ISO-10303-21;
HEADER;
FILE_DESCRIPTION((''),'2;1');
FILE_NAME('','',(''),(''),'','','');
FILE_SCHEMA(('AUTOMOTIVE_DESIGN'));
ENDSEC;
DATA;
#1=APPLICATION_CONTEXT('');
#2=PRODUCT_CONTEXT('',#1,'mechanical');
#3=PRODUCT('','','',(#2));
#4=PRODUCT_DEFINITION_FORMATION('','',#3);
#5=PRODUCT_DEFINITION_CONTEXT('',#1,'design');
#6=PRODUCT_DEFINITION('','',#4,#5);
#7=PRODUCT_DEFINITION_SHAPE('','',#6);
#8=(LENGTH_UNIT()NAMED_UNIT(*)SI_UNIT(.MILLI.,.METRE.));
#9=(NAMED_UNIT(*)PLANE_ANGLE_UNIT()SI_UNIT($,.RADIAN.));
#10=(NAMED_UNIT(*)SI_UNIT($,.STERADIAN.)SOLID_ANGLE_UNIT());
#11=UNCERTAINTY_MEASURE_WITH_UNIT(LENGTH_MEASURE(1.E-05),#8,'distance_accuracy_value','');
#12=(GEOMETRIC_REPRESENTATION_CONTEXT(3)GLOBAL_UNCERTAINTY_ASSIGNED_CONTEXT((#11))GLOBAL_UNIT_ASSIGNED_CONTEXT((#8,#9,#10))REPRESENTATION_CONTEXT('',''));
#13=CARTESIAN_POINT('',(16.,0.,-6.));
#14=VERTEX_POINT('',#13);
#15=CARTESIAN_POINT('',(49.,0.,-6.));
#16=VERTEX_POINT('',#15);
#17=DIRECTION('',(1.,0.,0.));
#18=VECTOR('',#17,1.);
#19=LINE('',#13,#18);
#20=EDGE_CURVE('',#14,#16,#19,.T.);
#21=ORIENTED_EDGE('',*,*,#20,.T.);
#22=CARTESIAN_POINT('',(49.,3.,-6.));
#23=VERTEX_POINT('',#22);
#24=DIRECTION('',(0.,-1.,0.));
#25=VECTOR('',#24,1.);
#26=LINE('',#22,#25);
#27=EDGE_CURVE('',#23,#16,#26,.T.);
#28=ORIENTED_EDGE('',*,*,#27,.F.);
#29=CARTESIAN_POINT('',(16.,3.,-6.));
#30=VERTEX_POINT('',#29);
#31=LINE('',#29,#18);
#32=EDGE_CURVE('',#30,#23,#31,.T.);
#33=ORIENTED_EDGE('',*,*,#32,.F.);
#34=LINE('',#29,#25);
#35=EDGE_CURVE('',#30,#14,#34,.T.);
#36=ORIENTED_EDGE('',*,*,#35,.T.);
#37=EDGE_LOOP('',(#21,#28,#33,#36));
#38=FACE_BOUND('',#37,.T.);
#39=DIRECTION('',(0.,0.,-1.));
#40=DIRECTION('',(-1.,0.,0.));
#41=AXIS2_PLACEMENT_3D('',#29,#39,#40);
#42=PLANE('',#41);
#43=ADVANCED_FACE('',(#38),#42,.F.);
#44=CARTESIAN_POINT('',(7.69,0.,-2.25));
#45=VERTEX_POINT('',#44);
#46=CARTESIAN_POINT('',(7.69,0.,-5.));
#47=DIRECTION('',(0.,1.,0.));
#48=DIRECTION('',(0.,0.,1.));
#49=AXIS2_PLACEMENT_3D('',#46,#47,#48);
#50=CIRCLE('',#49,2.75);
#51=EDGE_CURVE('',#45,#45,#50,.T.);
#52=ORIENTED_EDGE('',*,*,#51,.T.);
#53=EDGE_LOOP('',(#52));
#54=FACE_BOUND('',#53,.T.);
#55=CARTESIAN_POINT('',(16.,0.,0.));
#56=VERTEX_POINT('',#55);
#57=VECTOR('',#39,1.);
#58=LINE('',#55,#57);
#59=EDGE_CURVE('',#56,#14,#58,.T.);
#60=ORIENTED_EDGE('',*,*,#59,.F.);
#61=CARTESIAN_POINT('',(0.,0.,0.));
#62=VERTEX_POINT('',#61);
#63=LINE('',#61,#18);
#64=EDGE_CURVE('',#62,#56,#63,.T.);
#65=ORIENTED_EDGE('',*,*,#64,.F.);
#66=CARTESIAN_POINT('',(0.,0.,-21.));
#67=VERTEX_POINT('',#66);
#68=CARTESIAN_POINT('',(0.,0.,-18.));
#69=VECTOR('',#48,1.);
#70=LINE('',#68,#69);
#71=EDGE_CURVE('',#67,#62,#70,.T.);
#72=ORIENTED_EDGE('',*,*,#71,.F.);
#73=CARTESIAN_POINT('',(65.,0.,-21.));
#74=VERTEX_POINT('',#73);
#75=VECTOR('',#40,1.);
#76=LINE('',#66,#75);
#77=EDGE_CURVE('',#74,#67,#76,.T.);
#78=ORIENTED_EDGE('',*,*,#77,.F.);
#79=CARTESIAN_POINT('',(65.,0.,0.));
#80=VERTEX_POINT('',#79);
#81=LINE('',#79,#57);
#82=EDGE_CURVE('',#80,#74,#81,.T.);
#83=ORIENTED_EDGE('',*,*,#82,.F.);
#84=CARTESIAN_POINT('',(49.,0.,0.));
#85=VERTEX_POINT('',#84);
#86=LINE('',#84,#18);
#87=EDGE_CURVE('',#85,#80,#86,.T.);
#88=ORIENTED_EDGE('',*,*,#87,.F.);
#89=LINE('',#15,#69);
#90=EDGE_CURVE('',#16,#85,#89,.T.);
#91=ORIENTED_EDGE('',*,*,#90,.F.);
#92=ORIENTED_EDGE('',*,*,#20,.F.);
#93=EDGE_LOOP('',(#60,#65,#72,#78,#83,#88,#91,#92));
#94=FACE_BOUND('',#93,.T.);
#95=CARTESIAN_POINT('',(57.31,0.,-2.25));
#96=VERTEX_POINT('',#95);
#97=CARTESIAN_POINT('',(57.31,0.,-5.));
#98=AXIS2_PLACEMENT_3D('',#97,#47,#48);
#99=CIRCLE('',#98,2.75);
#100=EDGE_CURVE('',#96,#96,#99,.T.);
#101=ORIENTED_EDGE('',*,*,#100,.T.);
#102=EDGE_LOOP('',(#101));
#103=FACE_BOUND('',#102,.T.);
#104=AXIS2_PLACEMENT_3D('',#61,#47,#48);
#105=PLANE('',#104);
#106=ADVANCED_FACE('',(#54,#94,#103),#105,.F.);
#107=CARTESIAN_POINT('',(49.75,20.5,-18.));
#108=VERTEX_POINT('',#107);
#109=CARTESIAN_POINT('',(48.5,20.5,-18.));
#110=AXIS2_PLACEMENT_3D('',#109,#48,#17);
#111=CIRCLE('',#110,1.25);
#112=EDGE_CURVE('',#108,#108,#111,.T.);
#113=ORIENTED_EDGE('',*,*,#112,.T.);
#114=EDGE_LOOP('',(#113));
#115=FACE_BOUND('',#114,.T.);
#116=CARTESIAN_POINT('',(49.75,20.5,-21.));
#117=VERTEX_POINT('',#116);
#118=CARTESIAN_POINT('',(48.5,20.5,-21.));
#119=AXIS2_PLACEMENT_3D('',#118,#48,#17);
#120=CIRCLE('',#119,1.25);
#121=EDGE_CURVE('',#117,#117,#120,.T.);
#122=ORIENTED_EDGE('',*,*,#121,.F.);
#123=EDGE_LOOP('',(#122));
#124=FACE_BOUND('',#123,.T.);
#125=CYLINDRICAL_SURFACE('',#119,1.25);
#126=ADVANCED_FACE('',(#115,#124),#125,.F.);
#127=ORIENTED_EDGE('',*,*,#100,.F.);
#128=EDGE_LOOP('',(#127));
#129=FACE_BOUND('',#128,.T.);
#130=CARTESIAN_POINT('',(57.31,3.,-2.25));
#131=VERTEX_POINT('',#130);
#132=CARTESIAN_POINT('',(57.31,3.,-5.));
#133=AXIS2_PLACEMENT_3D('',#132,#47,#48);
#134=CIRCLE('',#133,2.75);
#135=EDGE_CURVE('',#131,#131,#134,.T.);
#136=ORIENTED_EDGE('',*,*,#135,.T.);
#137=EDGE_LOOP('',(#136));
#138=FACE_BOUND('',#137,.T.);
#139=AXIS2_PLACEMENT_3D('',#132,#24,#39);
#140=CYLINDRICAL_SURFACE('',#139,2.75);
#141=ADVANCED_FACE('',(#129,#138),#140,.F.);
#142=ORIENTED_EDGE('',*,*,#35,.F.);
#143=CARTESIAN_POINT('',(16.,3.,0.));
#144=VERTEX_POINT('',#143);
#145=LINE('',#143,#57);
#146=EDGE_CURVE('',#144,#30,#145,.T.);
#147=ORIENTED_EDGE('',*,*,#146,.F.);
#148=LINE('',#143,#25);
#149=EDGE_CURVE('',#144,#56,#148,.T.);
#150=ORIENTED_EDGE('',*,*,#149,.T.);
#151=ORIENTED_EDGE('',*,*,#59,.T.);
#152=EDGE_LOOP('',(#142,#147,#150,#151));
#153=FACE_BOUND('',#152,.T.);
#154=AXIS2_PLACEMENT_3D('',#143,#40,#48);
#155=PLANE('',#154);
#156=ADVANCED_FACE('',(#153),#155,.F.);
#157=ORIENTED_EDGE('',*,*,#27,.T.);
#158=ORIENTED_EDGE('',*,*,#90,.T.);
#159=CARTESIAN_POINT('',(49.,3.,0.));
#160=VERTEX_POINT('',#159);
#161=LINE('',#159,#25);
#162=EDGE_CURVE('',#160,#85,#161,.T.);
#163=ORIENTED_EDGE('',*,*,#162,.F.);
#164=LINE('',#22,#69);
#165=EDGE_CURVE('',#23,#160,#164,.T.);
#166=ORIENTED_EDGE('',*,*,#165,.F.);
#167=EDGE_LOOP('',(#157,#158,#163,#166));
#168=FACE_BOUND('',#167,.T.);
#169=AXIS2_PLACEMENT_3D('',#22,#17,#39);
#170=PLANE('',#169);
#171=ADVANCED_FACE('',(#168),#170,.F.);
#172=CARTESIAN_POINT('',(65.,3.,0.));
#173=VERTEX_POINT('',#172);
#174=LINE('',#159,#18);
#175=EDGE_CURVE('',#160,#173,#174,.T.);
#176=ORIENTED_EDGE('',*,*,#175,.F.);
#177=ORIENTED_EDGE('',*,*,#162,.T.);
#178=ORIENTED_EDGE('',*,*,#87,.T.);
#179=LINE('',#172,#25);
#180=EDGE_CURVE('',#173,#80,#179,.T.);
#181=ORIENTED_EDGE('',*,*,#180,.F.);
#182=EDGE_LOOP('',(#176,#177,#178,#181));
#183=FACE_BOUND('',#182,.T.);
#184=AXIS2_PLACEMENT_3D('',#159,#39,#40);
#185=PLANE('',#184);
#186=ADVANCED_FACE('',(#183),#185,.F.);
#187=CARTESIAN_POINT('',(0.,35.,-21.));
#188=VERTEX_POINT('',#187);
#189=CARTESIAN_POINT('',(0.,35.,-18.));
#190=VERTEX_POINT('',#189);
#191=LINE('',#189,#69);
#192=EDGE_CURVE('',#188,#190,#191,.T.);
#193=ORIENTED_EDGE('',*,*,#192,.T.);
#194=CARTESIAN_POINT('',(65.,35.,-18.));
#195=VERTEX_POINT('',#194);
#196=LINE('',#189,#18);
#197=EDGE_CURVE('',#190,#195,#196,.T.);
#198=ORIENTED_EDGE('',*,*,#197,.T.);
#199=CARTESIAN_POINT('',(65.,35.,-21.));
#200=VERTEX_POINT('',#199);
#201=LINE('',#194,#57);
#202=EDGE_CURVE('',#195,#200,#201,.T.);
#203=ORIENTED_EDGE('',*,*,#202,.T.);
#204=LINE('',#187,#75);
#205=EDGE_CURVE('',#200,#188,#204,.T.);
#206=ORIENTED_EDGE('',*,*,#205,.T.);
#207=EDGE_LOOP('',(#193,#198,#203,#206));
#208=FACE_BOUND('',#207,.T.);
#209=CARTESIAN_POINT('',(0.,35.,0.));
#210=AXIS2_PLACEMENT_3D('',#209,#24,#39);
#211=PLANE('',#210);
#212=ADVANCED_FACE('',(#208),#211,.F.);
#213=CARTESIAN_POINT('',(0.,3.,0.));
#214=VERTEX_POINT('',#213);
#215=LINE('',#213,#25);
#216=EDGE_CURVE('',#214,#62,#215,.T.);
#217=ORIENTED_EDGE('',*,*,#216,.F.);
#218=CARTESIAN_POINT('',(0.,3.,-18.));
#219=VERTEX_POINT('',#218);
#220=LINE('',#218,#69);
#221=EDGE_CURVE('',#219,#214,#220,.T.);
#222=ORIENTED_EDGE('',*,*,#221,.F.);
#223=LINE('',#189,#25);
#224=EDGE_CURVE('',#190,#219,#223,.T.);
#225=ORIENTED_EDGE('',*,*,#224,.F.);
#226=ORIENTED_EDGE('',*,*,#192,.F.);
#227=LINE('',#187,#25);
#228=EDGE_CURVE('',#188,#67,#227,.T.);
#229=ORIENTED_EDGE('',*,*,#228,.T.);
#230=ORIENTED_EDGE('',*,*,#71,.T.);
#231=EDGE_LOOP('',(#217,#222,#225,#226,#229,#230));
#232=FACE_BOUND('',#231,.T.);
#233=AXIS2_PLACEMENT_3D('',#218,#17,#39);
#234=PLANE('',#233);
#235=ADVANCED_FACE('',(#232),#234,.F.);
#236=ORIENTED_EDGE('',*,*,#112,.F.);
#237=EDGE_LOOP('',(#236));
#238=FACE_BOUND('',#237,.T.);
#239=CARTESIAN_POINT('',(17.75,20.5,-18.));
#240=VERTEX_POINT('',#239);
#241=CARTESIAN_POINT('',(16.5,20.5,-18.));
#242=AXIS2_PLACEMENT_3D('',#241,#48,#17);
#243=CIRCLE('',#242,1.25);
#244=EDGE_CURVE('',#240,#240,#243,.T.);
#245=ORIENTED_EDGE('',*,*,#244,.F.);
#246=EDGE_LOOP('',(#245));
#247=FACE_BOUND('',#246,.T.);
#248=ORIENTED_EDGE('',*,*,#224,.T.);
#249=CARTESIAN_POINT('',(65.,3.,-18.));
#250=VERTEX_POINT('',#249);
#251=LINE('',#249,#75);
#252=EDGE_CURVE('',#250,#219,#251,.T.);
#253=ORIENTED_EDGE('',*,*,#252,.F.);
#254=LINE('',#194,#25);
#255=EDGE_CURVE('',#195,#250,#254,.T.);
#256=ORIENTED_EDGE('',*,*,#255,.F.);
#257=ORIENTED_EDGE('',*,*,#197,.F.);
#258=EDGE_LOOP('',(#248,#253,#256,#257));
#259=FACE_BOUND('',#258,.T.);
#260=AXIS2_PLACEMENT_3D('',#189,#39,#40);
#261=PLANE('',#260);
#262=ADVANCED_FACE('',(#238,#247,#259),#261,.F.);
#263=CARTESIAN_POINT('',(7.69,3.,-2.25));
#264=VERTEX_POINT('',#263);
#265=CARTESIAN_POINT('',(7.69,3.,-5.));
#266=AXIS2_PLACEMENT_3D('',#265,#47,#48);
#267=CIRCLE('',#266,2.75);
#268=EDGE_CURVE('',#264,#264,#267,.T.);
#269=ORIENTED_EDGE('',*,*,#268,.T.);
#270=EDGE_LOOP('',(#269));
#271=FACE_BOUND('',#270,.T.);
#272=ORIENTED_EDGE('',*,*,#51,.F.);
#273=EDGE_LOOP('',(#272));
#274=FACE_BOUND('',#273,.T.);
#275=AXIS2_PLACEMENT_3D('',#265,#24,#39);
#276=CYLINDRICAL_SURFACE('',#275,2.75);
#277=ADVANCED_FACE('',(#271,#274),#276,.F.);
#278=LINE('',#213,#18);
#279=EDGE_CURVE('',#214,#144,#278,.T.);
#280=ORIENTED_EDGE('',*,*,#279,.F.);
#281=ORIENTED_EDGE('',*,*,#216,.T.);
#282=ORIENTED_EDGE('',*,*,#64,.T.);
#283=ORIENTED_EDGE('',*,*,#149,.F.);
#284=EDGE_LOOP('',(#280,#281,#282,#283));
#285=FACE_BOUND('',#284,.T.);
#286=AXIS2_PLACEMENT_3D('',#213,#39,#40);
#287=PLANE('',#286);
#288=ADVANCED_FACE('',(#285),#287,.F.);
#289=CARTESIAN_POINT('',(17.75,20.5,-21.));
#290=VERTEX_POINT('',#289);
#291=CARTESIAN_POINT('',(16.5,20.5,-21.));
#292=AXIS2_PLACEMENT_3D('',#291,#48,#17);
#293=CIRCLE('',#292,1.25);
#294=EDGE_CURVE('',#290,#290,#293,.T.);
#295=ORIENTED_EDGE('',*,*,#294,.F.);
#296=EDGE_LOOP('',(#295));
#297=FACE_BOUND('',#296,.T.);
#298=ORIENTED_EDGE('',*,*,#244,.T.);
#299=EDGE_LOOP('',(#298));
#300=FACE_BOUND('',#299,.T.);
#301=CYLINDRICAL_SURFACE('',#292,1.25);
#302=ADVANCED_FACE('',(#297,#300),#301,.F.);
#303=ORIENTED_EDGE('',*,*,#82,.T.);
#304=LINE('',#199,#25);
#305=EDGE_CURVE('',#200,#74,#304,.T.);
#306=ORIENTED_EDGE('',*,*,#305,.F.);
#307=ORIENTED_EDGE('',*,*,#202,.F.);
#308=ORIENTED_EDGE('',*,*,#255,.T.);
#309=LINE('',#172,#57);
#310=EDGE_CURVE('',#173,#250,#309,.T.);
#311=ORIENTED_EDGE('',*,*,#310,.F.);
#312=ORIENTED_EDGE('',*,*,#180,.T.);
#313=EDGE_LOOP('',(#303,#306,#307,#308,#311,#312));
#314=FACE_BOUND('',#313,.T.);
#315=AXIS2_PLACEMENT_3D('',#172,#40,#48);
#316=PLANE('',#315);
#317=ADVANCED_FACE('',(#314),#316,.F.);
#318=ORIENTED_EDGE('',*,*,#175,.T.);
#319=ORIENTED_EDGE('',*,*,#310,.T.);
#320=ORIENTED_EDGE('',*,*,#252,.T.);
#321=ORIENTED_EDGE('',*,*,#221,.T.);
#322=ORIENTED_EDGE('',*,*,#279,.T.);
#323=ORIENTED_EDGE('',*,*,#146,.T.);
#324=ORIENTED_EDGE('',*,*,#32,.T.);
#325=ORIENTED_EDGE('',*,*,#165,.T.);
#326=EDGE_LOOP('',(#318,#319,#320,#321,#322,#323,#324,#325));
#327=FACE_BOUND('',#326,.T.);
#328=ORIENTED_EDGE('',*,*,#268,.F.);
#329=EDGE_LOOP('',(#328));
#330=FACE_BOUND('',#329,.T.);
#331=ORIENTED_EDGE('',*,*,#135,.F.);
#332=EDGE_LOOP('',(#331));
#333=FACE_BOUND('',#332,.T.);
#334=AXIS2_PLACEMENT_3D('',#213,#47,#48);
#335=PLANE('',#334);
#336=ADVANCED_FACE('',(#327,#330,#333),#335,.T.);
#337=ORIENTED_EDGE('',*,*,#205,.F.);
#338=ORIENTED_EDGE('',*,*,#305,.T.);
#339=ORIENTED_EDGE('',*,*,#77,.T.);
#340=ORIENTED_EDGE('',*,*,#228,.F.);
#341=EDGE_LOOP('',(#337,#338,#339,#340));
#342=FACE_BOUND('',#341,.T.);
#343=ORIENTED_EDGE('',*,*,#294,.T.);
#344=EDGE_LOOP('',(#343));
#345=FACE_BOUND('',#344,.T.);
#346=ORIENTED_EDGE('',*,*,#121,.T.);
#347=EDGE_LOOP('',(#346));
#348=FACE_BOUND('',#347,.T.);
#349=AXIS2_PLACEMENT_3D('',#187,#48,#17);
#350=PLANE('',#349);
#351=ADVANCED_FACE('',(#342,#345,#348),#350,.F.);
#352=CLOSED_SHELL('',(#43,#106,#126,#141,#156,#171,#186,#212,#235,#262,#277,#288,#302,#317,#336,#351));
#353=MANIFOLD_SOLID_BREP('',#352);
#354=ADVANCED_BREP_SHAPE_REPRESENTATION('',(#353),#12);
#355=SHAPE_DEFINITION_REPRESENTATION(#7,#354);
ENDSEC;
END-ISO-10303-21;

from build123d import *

# Parameters (mm, degrees)
SKETCH1_R           = 2.75
BOSS_EXTRUDE1_DEPTH = 3
SKETCH2_W           = 65
SKETCH2_H           = 3
BOSS_EXTRUDE2_DEPTH = 35
SKETCH3_R           = 1.25
CUT_EXTRUDE1_DEPTH  = 4


with BuildPart() as part:
    # Sketch1 → Boss-Extrude1 (new body)
    with BuildSketch(Plane(origin=(0, 0, 0), x_dir=(1, 0, 0), z_dir=(0, 1, 0))):
        Polygon((0, 0), (16, 0), (16, 6), (49, 6), (49, 0), (65, 0), (65, 18), (0, 18), align=None)
        with Locations((7.69, 5)):
            Circle(SKETCH1_R, mode=Mode.SUBTRACT)
        with Locations((57.31, 5)):
            Circle(SKETCH1_R, mode=Mode.SUBTRACT)
    extrude(amount=BOSS_EXTRUDE1_DEPTH)

    # Sketch2 → Boss-Extrude2 (add)
    with BuildSketch(Plane(origin=(0, 0, 0), x_dir=(1, 0, 0), z_dir=(0, 1, 0))):
        with Locations((32.5, 19.5)):
            Rectangle(SKETCH2_W, SKETCH2_H)
    extrude(amount=BOSS_EXTRUDE2_DEPTH)

    # Sketch3 → Cut-Extrude1 (cut, through all)
    with BuildSketch(Plane.XY.offset(-18)):
        with Locations((16.5, 20.5)):
            Circle(SKETCH3_R)
        with Locations((48.5, 20.5)):
            Circle(SKETCH3_R)
    extrude(amount=-CUT_EXTRUDE1_DEPTH, mode=Mode.SUBTRACT)


solid = part.part
